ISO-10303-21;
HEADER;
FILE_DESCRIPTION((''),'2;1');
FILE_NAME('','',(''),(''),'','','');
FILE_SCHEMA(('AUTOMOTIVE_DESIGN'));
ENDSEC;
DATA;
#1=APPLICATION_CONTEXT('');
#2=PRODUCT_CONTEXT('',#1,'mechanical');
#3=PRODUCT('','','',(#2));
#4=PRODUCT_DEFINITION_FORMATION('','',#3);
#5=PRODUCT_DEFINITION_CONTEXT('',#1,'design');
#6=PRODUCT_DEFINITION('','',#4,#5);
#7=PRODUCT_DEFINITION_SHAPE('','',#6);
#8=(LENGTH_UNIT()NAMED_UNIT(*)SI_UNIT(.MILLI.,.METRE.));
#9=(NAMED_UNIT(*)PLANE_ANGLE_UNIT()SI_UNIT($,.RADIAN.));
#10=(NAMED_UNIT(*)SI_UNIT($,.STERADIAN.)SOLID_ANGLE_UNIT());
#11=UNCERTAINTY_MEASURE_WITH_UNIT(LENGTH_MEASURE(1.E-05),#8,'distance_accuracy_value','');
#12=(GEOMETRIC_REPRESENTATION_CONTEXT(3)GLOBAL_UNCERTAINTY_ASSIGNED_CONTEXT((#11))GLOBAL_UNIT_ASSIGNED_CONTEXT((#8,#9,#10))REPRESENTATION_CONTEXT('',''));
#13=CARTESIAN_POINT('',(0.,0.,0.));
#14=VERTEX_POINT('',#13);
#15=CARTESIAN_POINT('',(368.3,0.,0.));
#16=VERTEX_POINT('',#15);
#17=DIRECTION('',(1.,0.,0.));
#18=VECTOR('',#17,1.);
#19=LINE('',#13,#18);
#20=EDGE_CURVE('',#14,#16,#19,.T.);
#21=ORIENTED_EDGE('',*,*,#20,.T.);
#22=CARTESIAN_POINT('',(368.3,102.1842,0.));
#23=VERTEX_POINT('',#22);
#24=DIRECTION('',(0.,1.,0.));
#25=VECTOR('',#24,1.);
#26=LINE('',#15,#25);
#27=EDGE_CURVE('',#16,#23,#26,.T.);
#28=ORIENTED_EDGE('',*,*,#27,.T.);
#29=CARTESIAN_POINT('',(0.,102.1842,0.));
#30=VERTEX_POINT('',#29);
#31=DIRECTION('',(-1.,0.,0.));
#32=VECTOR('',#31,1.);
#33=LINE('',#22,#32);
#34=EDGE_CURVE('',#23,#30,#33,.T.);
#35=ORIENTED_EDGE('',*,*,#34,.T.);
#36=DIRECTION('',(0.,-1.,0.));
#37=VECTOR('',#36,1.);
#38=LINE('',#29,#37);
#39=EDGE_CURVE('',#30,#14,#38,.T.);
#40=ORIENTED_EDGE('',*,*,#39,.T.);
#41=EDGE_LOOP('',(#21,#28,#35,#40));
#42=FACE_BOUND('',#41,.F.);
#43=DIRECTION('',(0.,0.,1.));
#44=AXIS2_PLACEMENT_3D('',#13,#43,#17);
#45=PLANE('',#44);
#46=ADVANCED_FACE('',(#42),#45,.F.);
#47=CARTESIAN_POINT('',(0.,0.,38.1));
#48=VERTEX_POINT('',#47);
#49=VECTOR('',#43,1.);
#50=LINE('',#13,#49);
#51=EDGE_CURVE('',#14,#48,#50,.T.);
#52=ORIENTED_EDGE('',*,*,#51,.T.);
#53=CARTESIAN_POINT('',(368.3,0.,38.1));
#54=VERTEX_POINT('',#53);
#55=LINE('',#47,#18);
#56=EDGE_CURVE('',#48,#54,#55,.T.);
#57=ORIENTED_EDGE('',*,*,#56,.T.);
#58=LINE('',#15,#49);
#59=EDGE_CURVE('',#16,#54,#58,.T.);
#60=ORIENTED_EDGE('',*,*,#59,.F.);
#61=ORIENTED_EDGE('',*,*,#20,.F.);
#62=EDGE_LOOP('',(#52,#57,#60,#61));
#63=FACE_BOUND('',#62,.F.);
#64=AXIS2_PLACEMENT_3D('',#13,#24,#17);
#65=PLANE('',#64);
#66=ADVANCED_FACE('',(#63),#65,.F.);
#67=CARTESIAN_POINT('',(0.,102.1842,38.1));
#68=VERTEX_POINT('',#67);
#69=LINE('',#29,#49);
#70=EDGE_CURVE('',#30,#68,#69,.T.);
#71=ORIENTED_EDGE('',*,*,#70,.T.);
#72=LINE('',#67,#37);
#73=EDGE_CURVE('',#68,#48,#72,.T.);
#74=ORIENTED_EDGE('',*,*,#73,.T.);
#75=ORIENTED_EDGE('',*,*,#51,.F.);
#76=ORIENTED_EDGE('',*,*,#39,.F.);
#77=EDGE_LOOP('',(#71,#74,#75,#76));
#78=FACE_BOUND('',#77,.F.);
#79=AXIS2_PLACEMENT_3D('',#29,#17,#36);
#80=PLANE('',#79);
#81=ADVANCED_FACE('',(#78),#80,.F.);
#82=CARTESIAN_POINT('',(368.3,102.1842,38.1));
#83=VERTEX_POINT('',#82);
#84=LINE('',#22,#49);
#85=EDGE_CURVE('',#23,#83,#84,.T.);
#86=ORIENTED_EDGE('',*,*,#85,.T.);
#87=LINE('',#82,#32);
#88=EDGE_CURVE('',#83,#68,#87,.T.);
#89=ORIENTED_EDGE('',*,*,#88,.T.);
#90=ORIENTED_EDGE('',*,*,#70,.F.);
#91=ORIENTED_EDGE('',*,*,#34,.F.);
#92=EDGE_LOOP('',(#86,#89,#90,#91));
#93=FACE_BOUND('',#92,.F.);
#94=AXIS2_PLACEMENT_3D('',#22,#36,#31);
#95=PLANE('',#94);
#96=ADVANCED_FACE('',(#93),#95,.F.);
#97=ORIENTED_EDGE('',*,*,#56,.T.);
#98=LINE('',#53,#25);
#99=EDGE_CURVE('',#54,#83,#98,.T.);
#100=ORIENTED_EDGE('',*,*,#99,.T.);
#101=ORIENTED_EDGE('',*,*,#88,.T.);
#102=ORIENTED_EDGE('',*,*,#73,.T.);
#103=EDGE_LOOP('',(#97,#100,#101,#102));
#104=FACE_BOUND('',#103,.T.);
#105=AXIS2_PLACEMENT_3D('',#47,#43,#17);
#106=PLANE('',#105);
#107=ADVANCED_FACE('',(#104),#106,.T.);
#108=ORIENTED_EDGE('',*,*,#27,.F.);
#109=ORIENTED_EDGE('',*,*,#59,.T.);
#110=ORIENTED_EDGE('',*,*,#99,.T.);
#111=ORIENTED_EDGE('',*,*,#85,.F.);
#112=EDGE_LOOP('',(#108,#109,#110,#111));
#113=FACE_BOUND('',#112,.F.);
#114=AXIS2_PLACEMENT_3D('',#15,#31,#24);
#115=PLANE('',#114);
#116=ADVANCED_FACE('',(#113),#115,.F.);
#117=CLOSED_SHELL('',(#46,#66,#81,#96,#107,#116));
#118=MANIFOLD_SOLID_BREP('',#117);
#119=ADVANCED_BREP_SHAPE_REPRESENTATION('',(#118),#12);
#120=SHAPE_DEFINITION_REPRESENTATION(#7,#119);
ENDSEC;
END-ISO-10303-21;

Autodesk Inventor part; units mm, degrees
ref_plane "YZ Plane" through (0, 0, 0) normal (1, 0, 0) x (0, 1, 0)
ref_plane "XZ Plane" through (0, 0, 0) normal (0, 1, 0) x (-1, 0, 0)
ref_plane "XY Plane" through (0, 0, 0) normal (0, 0, 1) x (1, 0, 0)
sketch "Sketch1" plane through (0, 0, 0) normal (0, 0, 1) x (1, 0, 0)
  line L0 (0, 0) -> (368.3, 0)
  line L1 (368.3, 0) -> (368.3, 102.1842)
  line L2 (368.3, 102.1842) -> (0, 102.1842)
  line L3 (0, 102.1842) -> (0, 0)
  dimension "d2" = 102.1842
  dimension "d3" = 368.3
extrude "Extrusion1" add sketch "Sketch1" along normal blind 38.1
properties part number "Block" material "Wood (Birch)"
